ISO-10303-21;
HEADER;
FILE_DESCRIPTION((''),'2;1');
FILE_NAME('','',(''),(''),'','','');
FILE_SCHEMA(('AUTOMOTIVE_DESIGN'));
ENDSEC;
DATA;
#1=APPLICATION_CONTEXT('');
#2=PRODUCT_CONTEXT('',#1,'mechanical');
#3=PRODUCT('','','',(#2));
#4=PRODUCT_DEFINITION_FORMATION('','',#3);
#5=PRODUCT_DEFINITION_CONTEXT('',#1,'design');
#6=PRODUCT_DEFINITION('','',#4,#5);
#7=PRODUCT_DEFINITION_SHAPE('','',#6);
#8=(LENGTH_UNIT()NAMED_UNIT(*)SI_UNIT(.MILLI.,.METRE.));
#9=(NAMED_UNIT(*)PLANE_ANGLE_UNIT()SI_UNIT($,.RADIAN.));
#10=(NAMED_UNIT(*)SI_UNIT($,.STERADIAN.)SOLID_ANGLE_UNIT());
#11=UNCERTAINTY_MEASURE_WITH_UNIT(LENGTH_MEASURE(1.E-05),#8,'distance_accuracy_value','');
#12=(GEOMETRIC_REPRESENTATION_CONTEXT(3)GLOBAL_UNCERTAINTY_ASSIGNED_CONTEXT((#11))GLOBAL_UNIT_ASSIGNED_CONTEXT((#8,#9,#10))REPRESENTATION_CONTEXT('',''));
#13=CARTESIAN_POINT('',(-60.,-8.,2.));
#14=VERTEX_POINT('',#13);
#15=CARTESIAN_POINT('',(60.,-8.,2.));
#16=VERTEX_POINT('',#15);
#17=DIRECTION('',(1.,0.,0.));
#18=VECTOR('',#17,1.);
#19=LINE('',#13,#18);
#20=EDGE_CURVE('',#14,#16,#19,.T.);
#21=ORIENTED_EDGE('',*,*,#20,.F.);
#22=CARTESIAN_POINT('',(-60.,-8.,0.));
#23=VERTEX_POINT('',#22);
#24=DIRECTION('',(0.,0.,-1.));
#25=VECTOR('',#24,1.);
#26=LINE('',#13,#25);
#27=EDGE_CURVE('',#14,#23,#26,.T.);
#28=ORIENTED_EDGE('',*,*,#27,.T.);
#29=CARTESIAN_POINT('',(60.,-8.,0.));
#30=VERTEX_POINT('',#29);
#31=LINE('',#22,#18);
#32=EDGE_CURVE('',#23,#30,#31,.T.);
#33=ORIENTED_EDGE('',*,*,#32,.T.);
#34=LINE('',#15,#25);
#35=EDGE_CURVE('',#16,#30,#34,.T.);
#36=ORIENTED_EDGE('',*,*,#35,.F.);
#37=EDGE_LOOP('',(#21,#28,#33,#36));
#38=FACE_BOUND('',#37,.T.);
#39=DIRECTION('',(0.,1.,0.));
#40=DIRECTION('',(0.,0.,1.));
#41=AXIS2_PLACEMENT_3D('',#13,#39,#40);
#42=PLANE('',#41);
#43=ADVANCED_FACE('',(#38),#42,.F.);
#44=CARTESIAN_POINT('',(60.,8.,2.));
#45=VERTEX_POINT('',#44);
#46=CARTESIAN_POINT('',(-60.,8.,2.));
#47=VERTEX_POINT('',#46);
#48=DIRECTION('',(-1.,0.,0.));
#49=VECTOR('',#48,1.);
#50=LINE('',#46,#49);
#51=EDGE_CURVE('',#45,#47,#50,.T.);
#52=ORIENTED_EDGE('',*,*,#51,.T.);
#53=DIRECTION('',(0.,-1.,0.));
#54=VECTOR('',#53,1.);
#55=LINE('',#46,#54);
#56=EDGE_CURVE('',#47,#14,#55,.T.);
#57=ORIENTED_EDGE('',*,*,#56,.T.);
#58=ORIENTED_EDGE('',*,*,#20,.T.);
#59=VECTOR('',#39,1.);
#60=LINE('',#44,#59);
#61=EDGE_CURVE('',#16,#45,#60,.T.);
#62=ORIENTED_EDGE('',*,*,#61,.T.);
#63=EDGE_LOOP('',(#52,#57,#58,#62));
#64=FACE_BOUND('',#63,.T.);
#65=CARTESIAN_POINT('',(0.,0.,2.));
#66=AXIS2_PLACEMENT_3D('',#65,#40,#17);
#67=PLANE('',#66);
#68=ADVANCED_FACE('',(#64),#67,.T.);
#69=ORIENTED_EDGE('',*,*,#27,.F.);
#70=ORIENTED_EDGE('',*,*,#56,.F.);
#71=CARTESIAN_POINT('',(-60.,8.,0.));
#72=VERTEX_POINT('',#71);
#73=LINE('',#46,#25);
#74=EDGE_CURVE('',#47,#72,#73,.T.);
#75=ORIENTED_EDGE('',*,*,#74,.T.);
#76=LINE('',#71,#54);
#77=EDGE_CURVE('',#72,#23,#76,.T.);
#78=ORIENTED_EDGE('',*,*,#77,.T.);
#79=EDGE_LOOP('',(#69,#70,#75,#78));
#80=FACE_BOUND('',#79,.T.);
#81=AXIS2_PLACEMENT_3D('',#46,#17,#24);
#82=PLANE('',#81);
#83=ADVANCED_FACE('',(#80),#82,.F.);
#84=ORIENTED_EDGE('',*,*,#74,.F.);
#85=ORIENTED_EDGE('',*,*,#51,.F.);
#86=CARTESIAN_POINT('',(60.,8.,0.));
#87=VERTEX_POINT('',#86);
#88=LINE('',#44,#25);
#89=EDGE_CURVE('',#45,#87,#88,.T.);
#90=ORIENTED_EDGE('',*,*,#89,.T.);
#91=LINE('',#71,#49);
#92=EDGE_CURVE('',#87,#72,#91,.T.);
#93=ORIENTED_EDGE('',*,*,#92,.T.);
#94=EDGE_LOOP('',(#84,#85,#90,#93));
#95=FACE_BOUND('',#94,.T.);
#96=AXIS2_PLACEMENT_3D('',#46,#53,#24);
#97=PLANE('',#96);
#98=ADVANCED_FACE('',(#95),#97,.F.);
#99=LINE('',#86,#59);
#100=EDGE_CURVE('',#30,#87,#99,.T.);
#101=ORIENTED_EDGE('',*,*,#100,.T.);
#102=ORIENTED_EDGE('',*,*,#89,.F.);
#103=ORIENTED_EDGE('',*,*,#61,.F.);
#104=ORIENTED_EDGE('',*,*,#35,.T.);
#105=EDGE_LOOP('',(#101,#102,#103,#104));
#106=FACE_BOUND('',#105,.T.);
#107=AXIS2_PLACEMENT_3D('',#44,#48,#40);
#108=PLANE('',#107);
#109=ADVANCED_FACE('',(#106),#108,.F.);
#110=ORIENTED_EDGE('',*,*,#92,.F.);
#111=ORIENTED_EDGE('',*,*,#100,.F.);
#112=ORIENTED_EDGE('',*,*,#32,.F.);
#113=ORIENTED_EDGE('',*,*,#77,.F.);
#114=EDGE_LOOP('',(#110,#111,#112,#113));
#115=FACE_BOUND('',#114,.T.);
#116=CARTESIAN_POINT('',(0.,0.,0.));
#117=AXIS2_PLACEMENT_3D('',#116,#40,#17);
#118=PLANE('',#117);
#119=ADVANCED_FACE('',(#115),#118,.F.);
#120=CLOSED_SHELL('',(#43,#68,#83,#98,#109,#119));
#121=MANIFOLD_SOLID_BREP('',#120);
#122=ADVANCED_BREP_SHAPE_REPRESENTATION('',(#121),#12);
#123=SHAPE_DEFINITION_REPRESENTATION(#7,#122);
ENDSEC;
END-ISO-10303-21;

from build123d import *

# Parameters (mm, degrees)
ESQUISSE1_W        = 120
ESQUISSE1_H        = 16
BOSS_EXTRU_1_DEPTH = 2


with BuildPart() as part:
    # Esquisse1 → Boss.-Extru.1 (new body)
    with BuildSketch(Plane.XY):
        Rectangle(ESQUISSE1_W, ESQUISSE1_H)
    extrude(amount=BOSS_EXTRU_1_DEPTH)


solid = part.part
